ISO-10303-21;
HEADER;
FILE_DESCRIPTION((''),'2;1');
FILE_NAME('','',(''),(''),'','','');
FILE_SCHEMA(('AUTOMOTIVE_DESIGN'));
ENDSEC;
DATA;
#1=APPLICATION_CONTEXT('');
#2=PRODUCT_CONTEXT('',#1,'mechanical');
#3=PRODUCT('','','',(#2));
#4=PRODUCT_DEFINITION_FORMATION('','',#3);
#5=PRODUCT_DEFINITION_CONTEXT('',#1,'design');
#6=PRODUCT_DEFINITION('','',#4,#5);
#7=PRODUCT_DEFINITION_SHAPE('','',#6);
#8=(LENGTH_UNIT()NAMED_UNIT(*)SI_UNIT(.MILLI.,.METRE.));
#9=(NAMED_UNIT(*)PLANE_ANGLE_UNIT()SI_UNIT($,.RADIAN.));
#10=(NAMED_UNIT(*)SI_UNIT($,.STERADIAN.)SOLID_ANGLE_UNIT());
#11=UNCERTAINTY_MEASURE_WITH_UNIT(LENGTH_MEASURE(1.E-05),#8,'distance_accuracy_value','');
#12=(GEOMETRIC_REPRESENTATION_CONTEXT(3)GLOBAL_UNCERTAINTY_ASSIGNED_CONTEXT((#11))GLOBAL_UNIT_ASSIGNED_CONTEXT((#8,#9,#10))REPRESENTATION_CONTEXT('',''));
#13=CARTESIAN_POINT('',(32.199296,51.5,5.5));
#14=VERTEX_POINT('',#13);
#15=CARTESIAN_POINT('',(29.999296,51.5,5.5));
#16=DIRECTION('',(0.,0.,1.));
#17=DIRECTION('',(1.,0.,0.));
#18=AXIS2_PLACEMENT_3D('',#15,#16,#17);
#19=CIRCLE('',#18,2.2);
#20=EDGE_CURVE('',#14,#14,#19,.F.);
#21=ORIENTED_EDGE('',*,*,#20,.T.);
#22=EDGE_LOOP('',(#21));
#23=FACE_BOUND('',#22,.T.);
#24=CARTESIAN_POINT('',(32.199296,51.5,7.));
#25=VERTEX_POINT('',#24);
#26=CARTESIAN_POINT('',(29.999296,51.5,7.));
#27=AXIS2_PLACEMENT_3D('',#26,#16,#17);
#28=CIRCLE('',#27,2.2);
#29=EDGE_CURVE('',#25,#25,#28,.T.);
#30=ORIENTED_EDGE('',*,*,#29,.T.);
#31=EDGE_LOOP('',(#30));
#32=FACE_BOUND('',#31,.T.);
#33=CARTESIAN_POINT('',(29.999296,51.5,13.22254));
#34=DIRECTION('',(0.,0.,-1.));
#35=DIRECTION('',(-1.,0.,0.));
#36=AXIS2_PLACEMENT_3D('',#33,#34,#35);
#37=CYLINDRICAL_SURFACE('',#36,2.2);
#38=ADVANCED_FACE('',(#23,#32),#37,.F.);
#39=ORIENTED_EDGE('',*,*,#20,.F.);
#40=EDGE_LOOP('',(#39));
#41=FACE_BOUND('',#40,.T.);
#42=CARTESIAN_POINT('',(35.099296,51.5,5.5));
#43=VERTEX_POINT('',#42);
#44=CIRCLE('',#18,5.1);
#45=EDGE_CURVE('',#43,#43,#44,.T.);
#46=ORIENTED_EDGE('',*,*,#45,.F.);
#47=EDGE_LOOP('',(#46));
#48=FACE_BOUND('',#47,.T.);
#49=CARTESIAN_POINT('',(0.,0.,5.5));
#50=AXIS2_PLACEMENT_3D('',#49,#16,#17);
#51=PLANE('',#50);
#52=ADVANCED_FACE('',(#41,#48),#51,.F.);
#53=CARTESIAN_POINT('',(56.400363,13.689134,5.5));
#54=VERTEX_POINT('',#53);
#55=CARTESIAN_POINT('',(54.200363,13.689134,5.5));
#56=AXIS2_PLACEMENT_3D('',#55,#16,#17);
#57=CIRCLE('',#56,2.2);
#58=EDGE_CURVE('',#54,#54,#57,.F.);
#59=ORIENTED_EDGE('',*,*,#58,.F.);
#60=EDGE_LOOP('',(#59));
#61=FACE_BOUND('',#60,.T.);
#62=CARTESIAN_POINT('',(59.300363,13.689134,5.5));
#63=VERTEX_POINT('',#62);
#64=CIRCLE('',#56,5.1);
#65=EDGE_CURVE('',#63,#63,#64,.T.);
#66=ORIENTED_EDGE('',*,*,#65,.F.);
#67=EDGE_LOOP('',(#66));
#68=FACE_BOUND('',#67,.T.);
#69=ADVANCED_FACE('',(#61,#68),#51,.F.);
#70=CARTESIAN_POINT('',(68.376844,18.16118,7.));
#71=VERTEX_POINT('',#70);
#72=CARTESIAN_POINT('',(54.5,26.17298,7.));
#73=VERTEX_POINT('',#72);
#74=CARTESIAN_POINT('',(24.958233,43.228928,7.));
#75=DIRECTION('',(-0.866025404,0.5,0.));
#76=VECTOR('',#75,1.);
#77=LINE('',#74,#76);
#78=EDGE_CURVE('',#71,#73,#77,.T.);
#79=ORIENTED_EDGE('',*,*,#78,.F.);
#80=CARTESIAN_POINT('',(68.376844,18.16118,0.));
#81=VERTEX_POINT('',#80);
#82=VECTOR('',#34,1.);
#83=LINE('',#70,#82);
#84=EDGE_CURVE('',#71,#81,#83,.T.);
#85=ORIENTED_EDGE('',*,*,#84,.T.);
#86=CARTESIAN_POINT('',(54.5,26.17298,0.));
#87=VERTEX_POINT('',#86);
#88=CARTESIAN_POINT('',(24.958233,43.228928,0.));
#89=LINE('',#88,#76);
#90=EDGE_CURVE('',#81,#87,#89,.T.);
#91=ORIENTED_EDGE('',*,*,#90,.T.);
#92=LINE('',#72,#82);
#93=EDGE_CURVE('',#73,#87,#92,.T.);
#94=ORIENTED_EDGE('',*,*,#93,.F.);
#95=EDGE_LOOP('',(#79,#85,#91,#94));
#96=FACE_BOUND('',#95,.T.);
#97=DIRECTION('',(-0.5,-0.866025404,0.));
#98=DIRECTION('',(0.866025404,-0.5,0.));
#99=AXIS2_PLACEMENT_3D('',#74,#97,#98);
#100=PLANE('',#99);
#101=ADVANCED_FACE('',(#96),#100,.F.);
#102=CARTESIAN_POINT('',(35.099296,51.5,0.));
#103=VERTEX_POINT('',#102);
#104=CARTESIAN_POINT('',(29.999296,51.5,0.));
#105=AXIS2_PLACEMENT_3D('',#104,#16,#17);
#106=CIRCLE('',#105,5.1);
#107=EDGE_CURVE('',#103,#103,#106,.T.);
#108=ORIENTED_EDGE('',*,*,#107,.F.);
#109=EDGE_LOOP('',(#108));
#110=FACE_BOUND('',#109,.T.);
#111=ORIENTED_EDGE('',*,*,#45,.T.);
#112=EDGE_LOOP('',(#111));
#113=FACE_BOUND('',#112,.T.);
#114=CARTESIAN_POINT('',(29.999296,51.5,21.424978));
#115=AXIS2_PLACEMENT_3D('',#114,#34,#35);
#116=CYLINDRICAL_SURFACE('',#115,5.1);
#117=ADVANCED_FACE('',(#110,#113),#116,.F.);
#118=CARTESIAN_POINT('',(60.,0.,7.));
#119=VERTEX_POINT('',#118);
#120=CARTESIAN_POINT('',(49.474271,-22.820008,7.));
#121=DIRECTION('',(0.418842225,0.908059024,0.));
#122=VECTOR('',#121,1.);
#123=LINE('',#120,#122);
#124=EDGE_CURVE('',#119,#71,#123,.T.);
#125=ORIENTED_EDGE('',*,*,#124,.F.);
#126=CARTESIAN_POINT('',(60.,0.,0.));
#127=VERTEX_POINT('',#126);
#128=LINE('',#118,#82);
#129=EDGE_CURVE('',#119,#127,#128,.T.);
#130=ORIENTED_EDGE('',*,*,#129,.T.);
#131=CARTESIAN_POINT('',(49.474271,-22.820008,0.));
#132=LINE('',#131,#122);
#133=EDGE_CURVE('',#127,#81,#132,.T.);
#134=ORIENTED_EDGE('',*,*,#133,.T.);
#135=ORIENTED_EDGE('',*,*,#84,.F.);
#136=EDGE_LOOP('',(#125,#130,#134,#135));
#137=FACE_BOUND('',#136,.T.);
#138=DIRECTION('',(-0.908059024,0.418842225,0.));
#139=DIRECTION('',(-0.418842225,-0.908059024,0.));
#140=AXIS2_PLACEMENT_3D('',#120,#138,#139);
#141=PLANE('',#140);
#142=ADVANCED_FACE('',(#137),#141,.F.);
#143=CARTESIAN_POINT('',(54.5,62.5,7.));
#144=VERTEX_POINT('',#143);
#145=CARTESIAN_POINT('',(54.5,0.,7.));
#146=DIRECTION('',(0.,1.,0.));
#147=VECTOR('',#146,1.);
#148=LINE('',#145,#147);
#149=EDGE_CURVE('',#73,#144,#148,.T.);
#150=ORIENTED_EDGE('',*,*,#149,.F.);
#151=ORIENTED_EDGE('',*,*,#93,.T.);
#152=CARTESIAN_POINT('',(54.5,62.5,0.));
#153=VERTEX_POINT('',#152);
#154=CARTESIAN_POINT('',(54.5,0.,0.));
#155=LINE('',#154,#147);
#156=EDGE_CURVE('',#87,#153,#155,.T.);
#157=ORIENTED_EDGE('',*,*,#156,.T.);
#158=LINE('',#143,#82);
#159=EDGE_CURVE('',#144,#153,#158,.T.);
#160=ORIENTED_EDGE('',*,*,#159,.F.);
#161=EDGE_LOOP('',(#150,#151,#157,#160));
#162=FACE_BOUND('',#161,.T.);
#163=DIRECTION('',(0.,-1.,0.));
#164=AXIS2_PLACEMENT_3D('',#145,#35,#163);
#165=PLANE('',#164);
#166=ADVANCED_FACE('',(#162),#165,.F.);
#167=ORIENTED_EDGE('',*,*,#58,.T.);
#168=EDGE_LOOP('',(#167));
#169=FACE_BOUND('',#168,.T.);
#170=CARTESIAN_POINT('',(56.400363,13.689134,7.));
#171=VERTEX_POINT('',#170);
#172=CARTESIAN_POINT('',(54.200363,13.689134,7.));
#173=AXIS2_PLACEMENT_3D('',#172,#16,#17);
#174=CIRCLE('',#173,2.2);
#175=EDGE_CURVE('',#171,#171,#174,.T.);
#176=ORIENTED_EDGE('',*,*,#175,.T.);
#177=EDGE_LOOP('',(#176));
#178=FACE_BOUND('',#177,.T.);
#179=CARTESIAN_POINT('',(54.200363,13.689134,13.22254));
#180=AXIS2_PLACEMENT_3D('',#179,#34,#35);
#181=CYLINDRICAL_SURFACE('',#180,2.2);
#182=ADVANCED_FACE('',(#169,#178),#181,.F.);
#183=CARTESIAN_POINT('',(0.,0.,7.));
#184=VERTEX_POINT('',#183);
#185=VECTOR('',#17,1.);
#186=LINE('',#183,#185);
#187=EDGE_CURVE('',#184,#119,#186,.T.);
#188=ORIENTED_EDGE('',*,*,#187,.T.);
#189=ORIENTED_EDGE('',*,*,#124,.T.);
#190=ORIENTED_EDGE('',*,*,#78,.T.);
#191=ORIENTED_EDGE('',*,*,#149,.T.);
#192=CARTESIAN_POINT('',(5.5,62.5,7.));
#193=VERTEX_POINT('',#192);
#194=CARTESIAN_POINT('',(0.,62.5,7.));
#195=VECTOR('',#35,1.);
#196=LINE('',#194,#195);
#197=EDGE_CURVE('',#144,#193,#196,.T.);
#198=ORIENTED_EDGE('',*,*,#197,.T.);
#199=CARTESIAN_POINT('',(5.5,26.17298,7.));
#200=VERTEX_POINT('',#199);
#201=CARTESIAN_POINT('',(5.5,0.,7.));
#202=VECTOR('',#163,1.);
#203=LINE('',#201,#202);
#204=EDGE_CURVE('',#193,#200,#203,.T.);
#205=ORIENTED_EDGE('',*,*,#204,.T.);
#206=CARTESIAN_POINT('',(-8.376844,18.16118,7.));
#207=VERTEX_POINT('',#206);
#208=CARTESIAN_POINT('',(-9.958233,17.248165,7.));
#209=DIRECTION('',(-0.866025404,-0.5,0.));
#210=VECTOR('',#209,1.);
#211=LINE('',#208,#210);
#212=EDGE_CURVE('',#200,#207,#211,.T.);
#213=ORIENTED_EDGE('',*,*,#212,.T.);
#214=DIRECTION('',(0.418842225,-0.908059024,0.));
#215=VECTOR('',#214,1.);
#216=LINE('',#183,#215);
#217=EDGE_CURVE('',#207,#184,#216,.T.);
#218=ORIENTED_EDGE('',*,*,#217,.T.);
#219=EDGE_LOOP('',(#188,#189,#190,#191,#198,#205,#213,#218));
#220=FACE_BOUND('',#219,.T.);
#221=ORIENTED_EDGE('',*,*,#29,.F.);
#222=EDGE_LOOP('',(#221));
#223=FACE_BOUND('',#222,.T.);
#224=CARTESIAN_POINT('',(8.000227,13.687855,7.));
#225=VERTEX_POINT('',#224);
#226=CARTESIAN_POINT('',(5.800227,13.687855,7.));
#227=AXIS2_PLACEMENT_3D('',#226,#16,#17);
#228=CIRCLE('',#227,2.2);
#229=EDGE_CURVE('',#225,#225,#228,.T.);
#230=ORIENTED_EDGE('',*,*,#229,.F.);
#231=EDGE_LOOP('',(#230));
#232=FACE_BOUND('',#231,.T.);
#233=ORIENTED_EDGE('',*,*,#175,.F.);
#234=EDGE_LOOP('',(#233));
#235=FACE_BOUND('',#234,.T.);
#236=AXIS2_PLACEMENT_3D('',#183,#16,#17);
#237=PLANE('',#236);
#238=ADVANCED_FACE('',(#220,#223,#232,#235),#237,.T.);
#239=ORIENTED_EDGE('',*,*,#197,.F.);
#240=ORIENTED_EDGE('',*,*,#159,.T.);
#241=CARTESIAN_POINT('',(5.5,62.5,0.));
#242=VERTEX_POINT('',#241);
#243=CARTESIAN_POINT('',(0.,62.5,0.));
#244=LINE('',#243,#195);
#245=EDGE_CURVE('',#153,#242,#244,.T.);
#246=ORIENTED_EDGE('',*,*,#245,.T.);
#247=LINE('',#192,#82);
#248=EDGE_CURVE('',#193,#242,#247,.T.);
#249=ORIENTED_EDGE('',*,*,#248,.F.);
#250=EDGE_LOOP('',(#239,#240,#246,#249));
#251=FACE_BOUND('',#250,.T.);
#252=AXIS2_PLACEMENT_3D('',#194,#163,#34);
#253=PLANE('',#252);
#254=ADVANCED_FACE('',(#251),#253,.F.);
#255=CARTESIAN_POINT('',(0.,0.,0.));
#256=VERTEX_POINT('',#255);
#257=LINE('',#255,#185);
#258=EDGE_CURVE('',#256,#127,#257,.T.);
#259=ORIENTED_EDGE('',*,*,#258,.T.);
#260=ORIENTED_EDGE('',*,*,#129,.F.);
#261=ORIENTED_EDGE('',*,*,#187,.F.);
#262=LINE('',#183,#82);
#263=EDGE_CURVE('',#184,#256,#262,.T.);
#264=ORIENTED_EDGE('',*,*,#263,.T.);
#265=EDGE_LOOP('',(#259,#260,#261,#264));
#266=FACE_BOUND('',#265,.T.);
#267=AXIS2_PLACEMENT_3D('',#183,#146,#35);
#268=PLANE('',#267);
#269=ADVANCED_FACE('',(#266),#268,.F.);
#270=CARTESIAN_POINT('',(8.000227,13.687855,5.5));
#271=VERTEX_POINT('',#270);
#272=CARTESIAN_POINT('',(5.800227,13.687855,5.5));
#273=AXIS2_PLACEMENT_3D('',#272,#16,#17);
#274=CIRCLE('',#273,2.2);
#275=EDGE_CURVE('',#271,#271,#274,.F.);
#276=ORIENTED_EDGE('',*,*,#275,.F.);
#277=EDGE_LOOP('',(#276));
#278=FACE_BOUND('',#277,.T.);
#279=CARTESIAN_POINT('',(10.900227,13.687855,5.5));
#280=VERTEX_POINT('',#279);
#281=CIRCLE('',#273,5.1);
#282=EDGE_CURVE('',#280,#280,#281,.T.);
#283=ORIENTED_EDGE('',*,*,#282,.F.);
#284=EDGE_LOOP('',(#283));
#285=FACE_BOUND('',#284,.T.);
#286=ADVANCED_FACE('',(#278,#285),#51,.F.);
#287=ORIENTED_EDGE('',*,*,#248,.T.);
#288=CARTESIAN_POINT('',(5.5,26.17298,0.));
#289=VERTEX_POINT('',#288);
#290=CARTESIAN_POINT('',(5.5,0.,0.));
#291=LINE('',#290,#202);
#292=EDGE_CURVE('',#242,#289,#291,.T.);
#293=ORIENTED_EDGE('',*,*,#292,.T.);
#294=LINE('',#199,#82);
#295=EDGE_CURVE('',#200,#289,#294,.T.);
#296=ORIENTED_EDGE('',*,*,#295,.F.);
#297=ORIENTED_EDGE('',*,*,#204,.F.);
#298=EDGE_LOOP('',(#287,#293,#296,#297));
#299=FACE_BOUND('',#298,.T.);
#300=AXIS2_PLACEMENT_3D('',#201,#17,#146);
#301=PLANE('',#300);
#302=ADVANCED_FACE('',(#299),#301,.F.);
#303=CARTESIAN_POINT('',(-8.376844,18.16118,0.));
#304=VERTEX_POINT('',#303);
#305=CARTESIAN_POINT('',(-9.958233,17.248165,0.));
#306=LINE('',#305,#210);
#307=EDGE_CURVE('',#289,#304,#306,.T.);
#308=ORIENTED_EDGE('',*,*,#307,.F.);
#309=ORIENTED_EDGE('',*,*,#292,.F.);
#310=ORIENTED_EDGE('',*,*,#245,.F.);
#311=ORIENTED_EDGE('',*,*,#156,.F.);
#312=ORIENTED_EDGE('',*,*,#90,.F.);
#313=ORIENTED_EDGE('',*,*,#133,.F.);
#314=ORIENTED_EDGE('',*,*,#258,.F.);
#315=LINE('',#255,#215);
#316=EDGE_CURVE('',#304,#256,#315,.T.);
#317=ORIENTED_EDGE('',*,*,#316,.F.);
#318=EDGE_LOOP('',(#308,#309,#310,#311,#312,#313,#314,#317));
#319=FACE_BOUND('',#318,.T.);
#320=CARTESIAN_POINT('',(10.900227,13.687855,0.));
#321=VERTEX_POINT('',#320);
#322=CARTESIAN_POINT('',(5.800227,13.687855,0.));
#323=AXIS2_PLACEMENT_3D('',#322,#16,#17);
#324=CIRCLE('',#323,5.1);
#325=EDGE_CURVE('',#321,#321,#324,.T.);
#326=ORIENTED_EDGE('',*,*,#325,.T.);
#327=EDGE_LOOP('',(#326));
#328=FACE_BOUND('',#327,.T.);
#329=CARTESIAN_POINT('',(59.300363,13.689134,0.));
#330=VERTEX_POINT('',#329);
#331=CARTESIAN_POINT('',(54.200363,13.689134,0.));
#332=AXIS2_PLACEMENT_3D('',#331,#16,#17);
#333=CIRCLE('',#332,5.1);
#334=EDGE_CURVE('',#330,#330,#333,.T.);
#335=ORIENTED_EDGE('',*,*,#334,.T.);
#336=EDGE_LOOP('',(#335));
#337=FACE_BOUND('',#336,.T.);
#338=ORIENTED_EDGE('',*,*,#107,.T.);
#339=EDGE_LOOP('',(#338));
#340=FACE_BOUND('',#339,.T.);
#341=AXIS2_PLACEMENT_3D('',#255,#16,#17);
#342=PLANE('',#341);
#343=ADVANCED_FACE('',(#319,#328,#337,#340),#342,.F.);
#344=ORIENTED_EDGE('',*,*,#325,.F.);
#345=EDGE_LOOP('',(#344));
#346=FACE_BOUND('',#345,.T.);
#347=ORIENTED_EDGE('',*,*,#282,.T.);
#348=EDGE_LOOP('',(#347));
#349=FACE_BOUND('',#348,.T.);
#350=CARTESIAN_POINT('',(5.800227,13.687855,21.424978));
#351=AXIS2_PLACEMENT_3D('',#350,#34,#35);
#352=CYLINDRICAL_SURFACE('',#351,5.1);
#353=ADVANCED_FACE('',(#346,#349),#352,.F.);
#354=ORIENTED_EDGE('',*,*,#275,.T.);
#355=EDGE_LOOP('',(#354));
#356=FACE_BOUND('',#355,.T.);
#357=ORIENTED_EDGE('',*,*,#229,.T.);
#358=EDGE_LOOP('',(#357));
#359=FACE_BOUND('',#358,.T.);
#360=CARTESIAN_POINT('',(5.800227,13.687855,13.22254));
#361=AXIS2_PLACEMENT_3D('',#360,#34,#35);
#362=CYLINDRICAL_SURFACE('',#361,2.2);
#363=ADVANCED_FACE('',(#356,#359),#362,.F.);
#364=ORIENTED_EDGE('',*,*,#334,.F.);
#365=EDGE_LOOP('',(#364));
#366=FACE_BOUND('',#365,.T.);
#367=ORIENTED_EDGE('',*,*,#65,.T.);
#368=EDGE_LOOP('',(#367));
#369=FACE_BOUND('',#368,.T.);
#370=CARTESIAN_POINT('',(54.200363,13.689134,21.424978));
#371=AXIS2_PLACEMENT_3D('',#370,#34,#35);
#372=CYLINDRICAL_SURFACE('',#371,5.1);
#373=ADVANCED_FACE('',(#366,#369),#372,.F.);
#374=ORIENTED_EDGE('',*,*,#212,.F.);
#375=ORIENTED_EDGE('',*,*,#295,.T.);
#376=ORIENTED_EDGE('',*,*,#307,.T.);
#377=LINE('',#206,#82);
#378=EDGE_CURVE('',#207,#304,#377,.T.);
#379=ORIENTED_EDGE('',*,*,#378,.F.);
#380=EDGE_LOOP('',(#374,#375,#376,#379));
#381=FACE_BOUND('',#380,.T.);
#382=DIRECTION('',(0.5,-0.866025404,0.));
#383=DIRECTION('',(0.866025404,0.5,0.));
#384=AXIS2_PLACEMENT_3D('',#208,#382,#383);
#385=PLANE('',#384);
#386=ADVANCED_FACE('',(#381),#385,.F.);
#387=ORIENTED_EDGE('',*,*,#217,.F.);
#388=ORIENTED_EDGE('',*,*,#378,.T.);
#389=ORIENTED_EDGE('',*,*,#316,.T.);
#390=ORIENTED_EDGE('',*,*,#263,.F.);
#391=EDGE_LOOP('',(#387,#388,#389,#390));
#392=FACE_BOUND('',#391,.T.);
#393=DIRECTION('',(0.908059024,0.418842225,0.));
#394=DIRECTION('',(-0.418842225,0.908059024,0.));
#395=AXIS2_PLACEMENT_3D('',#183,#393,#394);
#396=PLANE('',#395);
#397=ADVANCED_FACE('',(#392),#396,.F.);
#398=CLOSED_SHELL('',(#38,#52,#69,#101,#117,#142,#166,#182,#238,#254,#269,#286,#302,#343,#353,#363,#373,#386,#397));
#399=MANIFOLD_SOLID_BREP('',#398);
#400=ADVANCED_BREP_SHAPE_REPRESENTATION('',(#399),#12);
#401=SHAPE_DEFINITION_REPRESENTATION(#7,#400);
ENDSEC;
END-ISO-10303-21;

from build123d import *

# Parameters (mm, degrees)
SKETCH1_R           = 5.1
SKETCH1_R_2         = 2.2
BOSS_EXTRUDE1_DEPTH = 7
SKETCH1_3_R         = 5.1
SKETCH1_3_R_2       = 2.2
CUT_EXTRUDE1_DEPTH  = 5.5
SKETCH1_4_R         = 2.2
CUT_EXTRUDE2_DEPTH  = 7


with BuildPart() as part:
    # Sketch1 → Boss-Extrude1 (new body)
    with BuildSketch(Plane.XY):
        Polygon((54.5, 26.172980381), (54.5, 62.5), (5.5, 62.5), (5.5, 26.172980381), (-8.376844495, 18.161180477), (0, 0), (60, 0), (68.376844495, 18.161180477), align=None)
        with Locations((29.999295859, 51.499999991)):
            Circle(SKETCH1_R, mode=Mode.SUBTRACT)
        with Locations((5.800227015, 13.687854711)):
            Circle(SKETCH1_R, mode=Mode.SUBTRACT)
        with Locations((54.200362799, 13.689133529)):
            Circle(SKETCH1_R, mode=Mode.SUBTRACT)
        with Locations((5.800227015, 13.687854711)):
            Circle(SKETCH1_R)
        with Locations((5.800227015, 13.687854711)):
            Circle(SKETCH1_R_2, mode=Mode.SUBTRACT)
        with Locations((5.800227015, 13.687854711)):
            Circle(SKETCH1_R_2)
        with Locations((54.200362799, 13.689133529)):
            Circle(SKETCH1_R)
        with Locations((54.200362799, 13.689133529)):
            Circle(SKETCH1_R_2, mode=Mode.SUBTRACT)
        with Locations((54.200362799, 13.689133529)):
            Circle(SKETCH1_R_2)
        with Locations((29.999295859, 51.499999991)):
            Circle(SKETCH1_R)
        with Locations((29.999295859, 51.499999991)):
            Circle(SKETCH1_R_2, mode=Mode.SUBTRACT)
        with Locations((29.999295859, 51.499999991)):
            Circle(SKETCH1_R_2)
    extrude(amount=BOSS_EXTRUDE1_DEPTH)

    # Sketch1<3> → Cut-Extrude1 (cut)
    with BuildSketch(Plane.XY):
        with Locations((29.999295859, 51.499999991)):
            Circle(SKETCH1_3_R)
        with Locations((29.999295859, 51.499999991)):
            Circle(SKETCH1_3_R_2, mode=Mode.SUBTRACT)
        with Locations((54.200362799, 13.689133529)):
            Circle(SKETCH1_3_R)
        with Locations((54.200362799, 13.689133529)):
            Circle(SKETCH1_3_R_2, mode=Mode.SUBTRACT)
        with Locations((5.800227015, 13.687854711)):
            Circle(SKETCH1_3_R)
        with Locations((5.800227015, 13.687854711)):
            Circle(SKETCH1_3_R_2, mode=Mode.SUBTRACT)
    extrude(amount=CUT_EXTRUDE1_DEPTH, mode=Mode.SUBTRACT)

    # Sketch1<4> → Cut-Extrude2 (cut)
    with BuildSketch(Plane.XY):
        with Locations((54.200362799, 13.689133529)):
            Circle(SKETCH1_4_R)
        with Locations((5.800227015, 13.687854711)):
            Circle(SKETCH1_4_R)
        with Locations((29.999295859, 51.499999991)):
            Circle(SKETCH1_4_R)
    extrude(amount=CUT_EXTRUDE2_DEPTH, mode=Mode.SUBTRACT)


solid = part.part
